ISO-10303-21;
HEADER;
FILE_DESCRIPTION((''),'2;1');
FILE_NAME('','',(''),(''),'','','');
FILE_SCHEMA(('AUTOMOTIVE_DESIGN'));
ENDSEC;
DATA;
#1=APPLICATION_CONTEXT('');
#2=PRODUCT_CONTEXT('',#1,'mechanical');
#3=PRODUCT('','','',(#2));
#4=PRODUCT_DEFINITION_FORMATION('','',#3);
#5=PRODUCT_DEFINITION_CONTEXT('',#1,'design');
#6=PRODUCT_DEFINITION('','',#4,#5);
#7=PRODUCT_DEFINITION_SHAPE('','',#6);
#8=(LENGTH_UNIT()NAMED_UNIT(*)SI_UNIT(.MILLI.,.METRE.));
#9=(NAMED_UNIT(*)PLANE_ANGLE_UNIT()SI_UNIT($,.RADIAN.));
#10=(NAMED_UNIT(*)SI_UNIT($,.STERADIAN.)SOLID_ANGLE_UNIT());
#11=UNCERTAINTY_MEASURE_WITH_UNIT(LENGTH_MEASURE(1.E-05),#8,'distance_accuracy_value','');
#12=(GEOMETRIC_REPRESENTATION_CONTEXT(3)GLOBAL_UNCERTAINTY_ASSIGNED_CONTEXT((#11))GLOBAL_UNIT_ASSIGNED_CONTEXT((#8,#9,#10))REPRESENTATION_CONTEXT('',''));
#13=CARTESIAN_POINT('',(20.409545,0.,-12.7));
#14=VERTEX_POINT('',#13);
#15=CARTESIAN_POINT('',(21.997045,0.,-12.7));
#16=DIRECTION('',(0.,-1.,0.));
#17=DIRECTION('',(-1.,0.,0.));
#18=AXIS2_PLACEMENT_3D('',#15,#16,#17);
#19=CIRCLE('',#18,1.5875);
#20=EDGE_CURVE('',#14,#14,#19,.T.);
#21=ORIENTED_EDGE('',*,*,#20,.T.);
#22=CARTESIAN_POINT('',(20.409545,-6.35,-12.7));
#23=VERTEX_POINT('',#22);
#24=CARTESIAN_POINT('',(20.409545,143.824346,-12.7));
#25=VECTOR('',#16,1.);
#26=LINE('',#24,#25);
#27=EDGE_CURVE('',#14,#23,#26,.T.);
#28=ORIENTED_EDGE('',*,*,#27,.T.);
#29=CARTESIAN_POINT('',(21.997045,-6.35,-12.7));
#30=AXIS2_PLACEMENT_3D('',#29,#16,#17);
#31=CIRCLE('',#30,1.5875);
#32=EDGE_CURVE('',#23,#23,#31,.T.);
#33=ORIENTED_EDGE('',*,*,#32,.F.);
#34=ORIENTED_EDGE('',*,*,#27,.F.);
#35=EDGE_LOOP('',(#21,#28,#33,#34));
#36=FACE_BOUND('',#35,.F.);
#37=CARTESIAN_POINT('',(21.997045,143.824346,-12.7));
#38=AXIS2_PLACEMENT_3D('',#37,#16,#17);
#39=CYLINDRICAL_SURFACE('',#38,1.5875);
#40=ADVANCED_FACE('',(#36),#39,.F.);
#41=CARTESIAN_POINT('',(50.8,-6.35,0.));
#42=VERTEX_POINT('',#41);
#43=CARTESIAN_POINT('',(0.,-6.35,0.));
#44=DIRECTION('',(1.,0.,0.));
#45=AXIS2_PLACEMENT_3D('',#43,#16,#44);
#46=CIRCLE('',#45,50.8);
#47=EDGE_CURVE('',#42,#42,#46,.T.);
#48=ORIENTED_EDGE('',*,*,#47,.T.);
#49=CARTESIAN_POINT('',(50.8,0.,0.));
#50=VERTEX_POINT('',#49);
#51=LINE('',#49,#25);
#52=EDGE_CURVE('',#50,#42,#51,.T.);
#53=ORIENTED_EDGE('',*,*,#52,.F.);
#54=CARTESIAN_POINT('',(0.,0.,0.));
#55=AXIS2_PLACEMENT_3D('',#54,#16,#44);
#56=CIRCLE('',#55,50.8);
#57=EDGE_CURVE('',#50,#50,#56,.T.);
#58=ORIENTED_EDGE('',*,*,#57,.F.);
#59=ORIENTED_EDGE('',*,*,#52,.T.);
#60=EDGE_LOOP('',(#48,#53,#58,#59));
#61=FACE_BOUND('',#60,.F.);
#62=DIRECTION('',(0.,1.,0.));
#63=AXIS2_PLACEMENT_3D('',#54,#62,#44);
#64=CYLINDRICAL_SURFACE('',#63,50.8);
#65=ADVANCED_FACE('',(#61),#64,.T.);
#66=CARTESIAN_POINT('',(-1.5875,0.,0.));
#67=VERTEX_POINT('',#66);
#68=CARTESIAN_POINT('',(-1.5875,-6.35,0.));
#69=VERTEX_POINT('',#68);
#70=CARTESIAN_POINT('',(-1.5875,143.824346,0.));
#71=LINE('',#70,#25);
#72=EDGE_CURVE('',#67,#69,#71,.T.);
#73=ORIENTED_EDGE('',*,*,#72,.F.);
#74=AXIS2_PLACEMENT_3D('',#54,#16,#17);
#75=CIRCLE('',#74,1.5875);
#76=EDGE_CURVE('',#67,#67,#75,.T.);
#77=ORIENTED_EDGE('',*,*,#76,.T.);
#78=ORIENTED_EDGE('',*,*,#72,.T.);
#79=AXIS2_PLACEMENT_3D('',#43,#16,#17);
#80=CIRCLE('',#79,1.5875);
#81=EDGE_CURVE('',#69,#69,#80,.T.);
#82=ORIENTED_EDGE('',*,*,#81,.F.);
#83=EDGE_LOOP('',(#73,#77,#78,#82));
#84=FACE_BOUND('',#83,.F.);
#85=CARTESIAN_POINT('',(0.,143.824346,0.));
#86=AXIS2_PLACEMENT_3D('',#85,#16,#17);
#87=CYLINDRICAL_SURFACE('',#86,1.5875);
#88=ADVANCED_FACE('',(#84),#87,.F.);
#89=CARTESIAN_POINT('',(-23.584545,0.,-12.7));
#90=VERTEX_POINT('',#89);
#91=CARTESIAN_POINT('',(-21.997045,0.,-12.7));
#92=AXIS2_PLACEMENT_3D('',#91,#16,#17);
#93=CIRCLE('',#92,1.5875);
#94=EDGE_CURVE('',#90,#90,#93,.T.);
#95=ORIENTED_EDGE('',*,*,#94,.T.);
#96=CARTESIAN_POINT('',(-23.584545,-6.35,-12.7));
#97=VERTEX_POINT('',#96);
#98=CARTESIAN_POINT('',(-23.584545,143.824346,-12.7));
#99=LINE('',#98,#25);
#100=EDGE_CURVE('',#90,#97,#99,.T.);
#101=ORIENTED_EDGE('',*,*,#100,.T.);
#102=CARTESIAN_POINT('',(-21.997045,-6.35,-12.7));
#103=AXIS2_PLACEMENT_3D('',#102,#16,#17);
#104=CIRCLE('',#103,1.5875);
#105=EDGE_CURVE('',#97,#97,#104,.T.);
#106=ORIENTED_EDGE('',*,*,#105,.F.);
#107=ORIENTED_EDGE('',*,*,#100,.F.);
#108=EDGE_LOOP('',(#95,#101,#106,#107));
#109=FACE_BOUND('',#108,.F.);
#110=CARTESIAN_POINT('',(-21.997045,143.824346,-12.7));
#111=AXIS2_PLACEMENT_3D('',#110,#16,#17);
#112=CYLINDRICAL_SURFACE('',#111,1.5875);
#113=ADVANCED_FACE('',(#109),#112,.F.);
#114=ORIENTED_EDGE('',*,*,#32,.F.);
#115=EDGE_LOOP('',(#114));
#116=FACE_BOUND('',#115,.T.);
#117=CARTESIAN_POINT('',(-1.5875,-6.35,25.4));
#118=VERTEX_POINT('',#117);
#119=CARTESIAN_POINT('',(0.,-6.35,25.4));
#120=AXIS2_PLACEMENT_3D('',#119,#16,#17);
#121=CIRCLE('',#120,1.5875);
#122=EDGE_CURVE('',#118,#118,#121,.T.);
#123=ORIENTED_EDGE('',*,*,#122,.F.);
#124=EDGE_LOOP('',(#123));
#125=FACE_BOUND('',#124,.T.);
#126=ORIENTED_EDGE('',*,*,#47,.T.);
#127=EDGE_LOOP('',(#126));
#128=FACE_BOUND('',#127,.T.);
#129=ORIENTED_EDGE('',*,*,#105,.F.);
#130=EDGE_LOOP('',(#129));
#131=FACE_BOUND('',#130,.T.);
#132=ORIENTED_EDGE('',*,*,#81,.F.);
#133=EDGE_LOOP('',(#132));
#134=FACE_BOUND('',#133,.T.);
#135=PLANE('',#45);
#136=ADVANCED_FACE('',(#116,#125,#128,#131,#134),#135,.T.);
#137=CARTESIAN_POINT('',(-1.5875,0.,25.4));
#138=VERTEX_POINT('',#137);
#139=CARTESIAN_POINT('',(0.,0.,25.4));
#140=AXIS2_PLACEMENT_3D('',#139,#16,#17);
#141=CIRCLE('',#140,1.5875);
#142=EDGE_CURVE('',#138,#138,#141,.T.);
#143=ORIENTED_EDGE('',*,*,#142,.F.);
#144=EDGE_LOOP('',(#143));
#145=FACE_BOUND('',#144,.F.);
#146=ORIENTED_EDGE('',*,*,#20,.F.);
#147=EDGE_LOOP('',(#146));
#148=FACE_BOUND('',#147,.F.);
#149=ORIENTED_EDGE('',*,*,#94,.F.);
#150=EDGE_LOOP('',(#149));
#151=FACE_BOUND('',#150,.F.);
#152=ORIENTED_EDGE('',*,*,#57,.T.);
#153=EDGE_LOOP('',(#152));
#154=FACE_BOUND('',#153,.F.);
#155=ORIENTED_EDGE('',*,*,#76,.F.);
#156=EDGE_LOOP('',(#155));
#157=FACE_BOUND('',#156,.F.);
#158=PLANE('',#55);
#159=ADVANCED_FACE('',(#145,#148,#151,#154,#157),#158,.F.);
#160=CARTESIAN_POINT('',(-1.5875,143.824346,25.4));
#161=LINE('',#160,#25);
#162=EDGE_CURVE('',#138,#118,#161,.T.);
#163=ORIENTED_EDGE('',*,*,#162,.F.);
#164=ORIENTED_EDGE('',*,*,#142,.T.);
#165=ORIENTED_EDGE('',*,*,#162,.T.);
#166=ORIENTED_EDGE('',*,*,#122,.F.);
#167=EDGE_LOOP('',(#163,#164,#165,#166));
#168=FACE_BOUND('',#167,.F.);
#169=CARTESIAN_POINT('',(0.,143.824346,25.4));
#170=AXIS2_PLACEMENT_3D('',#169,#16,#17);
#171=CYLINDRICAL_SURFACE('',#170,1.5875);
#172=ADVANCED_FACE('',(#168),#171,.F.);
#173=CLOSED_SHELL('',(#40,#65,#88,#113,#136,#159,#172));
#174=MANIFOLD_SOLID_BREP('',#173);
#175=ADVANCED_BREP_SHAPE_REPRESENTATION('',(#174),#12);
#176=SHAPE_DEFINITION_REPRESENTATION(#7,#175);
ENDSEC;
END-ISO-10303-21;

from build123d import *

# Parameters (mm, degrees)
F0_R     = 50.8
F1_DEPTH = 6.35
F2_D     = 3.175
F3_D     = 3.175


with BuildPart() as f1:
    # F0 (on Front) → F1 (new body)
    with BuildSketch(Plane.XZ):
        Circle(F0_R)
    extrude(amount=F1_DEPTH)

    # F2 (through all)
    with Locations(Plane(origin=(0, 0, 0), x_dir=(1, 0, 0), z_dir=(0, 1, 0))):
        with Locations((0, 0)):
            Hole(F2_D / 2)

    # F3 (through all)
    with Locations(Plane(origin=(0, 0, 0), x_dir=(1, 0, 0), z_dir=(0, 1, 0))):
        with Locations((0, -25.4), (21.9970452561, 12.7), (-21.9970452561, 12.7)):
            Hole(F3_D / 2)


solid = f1.part
